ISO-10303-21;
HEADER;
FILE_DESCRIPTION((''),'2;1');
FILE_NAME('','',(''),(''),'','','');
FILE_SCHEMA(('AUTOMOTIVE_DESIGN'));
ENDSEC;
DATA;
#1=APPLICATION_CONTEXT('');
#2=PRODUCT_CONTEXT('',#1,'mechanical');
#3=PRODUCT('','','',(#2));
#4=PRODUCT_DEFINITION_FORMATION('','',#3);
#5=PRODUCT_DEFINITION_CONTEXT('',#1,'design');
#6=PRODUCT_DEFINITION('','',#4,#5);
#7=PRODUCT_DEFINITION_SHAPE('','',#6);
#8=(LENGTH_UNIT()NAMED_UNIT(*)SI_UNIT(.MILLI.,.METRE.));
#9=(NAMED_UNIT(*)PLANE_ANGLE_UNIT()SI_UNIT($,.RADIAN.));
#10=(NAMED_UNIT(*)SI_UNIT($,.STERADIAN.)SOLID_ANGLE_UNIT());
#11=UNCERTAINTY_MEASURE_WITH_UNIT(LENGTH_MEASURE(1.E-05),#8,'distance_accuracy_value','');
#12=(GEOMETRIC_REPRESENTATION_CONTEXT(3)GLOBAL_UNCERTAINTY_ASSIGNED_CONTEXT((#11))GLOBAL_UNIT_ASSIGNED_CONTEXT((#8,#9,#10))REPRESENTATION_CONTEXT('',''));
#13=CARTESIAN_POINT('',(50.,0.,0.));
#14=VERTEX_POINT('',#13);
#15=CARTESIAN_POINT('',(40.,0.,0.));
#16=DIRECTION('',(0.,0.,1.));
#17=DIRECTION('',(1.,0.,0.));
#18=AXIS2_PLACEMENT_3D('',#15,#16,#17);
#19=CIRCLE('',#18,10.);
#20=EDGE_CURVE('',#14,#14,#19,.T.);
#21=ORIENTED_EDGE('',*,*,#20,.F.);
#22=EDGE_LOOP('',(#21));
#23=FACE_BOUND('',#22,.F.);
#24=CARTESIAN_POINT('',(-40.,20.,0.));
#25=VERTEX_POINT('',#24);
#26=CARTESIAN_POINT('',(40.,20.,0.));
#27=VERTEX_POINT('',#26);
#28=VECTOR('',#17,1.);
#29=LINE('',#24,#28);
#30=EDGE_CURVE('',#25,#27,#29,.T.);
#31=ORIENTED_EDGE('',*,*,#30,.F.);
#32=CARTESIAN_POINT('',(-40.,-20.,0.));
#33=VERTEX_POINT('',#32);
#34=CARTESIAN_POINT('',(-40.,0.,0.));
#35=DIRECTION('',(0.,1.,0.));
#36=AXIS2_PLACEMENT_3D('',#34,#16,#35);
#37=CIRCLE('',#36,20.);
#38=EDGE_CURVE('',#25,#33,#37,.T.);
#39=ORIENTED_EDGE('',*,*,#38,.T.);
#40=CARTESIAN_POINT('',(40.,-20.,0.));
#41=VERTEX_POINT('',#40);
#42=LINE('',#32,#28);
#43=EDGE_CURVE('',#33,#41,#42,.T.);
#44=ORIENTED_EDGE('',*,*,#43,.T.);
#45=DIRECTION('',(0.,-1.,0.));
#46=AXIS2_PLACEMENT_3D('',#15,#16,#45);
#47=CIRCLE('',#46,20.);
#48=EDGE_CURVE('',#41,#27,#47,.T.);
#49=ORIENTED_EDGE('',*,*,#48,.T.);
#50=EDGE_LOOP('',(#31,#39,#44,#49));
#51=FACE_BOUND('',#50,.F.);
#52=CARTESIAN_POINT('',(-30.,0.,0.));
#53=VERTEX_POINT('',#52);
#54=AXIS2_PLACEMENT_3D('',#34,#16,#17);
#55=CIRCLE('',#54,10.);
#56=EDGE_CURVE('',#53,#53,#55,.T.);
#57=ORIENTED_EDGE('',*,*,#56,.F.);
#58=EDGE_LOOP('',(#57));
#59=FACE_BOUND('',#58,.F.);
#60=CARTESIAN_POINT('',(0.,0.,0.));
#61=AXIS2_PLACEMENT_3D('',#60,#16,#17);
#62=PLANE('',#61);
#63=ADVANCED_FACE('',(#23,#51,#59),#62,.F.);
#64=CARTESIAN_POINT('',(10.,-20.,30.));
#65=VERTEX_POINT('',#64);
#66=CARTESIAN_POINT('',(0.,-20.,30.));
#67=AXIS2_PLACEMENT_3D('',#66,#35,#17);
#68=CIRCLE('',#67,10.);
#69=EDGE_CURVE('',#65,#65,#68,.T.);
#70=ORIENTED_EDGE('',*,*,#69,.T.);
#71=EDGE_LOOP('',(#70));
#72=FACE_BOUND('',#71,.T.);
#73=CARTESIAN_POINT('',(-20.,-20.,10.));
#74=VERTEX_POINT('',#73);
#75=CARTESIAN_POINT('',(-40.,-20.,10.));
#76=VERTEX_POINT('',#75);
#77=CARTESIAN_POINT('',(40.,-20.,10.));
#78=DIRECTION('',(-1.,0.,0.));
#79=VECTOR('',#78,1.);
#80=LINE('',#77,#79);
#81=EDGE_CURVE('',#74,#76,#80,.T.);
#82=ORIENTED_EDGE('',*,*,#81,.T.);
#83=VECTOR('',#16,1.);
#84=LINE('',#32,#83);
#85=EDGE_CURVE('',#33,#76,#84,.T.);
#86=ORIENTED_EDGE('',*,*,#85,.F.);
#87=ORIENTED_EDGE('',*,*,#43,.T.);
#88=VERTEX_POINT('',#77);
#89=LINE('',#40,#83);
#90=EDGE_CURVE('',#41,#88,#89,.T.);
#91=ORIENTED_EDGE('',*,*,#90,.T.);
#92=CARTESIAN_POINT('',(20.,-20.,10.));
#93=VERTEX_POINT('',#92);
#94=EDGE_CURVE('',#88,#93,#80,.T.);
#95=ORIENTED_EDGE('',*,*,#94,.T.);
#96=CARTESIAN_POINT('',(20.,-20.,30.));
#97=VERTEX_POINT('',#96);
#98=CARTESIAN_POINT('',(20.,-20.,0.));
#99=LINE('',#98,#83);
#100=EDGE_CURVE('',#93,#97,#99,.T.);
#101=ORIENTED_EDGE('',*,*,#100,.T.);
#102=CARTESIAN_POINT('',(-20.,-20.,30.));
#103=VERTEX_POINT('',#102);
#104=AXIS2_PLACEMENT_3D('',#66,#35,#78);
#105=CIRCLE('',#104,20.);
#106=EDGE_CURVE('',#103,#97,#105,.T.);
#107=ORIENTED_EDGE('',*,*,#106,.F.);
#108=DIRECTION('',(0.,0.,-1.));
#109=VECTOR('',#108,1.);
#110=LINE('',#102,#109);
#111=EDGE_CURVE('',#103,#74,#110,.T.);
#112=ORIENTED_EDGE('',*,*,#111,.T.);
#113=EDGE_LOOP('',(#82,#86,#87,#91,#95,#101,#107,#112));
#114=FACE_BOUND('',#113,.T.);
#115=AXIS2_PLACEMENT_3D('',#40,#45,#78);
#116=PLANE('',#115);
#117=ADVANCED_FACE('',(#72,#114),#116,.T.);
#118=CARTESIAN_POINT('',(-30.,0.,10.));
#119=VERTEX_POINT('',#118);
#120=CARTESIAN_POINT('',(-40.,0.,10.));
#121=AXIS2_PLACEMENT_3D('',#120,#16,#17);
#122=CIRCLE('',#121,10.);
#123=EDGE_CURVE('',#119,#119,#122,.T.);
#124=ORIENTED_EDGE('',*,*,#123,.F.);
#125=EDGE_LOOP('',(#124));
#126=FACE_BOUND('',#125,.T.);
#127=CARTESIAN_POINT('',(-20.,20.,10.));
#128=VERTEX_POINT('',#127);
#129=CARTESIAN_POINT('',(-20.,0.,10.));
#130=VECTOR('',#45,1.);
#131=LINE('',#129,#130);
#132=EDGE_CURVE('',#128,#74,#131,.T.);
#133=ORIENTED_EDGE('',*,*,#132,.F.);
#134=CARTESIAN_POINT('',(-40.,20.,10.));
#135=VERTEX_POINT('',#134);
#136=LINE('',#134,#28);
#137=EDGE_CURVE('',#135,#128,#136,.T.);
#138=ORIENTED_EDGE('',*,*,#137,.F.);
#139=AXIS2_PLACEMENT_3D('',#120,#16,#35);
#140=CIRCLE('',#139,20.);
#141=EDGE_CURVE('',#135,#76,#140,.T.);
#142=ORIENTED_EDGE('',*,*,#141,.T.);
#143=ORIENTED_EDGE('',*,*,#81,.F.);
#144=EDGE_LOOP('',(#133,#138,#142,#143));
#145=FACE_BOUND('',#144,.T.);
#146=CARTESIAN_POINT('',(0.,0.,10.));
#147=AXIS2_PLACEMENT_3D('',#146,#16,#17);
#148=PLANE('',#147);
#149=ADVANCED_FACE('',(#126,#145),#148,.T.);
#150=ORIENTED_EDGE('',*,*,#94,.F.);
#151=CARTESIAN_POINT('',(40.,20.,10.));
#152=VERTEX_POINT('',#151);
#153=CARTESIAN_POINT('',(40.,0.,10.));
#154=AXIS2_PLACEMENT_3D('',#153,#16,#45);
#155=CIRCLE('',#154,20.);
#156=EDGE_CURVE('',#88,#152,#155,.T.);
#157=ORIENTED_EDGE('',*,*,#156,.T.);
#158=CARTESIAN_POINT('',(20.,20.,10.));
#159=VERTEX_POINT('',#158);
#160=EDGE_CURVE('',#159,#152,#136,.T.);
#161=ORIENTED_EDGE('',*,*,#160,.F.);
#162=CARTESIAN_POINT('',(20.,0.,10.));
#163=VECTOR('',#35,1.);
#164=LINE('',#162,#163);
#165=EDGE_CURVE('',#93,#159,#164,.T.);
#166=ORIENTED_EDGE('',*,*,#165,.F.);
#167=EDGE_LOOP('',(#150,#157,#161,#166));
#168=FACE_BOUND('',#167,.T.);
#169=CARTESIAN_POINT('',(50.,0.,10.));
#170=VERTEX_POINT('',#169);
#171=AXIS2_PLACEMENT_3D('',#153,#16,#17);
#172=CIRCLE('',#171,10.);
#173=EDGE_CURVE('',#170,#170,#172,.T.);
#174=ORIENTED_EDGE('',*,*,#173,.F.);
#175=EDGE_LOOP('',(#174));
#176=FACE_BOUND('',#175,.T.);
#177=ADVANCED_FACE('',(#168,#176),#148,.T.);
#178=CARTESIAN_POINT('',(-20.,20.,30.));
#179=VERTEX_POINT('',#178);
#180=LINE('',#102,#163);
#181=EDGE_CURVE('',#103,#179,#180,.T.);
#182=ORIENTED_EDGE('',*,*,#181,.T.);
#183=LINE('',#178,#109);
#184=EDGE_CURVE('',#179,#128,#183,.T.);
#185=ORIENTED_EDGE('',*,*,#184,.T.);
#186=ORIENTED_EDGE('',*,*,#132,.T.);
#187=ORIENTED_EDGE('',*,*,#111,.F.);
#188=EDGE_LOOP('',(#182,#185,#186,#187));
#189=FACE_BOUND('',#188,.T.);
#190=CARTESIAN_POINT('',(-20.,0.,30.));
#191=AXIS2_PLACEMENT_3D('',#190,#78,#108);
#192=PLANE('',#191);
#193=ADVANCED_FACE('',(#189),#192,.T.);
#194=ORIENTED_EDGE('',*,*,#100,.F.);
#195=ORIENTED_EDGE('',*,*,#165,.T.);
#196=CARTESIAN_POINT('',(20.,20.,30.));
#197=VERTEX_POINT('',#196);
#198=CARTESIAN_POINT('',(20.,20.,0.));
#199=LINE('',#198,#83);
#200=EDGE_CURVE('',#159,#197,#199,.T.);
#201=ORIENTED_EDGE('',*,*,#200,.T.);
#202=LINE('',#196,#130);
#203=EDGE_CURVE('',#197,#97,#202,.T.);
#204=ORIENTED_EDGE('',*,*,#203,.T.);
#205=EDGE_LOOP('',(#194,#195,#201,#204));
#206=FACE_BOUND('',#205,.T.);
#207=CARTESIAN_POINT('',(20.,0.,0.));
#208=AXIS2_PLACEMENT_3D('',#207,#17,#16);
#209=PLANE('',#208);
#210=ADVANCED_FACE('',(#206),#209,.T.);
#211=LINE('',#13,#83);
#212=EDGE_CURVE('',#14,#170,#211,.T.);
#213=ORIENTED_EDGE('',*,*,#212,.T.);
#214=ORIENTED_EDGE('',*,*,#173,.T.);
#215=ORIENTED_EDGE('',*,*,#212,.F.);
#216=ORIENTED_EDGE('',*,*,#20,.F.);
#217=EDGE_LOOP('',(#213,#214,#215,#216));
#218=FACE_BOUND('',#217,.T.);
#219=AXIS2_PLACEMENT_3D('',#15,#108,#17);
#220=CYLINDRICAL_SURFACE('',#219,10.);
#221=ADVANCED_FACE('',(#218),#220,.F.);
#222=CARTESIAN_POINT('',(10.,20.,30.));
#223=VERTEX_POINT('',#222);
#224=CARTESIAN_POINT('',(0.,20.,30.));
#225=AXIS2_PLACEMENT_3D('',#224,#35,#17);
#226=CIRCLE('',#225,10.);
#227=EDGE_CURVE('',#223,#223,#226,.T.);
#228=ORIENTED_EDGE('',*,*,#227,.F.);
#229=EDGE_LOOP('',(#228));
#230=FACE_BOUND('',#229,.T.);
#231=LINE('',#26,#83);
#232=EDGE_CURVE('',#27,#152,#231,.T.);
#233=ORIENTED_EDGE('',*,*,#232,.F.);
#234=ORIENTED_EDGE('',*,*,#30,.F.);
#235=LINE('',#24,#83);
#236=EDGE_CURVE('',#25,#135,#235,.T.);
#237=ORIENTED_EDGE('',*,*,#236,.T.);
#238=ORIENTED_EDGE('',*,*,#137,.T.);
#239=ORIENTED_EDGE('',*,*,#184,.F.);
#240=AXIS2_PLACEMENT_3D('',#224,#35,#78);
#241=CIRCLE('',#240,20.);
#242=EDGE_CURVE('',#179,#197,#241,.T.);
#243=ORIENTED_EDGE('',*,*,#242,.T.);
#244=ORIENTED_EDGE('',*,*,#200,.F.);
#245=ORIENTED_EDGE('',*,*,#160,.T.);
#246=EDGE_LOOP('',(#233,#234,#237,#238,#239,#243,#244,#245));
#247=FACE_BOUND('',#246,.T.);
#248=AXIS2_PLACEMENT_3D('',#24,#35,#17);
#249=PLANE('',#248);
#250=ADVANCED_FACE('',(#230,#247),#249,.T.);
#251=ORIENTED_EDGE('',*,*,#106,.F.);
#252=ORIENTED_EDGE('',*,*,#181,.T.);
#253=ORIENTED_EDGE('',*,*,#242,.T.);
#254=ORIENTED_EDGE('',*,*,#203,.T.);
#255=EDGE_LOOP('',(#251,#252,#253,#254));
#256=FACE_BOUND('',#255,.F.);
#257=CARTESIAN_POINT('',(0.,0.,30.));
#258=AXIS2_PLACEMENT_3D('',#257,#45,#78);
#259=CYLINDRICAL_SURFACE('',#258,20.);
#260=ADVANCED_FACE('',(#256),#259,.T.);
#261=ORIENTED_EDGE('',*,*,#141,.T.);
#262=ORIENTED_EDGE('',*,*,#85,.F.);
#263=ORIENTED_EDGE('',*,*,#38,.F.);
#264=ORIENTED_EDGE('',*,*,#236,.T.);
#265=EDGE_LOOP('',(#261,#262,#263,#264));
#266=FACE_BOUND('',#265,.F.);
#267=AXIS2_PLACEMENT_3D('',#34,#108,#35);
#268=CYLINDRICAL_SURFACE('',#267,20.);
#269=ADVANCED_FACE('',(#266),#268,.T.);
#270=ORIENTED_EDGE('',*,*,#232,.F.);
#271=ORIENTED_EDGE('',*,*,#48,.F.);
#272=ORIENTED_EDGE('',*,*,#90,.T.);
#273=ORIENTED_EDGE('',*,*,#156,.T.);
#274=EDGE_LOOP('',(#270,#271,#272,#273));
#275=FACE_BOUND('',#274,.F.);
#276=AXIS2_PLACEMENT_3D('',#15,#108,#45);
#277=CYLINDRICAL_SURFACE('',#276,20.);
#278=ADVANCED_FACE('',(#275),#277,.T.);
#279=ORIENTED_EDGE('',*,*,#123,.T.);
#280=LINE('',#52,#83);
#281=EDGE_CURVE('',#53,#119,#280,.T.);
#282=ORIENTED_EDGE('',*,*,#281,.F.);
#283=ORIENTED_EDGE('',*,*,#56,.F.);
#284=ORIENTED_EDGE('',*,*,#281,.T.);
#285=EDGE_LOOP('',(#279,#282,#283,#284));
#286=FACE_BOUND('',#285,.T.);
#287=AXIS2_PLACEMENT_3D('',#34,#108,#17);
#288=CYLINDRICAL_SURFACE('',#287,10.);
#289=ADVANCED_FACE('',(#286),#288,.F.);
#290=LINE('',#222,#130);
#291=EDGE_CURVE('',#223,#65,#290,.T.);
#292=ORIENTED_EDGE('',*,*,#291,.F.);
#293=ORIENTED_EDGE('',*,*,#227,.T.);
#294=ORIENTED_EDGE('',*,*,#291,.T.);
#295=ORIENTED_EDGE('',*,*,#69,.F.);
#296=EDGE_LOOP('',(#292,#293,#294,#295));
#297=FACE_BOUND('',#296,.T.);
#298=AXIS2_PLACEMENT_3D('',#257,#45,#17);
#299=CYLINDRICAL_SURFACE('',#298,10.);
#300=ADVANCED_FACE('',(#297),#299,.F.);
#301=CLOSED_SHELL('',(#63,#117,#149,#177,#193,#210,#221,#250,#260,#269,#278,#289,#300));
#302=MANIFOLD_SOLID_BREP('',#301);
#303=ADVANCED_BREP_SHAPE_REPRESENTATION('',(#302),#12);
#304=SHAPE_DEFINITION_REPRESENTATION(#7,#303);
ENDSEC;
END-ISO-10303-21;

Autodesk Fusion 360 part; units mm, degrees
sketch "Sketch1" plane through (0, 0, 0) normal (0, 0, 1) x (1, 0, 0)
  line L0 (40, -20) -> (-40, -20)
  line L1 (-40, 20) -> (40, 20)
  line L2 (-40, 0) -> (40, 0) construction
  circle A0 centre (40, 0) radius 10
  circle A1 centre (-40, 0) radius 10
  arc A2 (40, -20) -> (40, 20) centre (40, 0) ccw
  arc A3 (-40, 20) -> (-40, -20) centre (-40, 0) ccw
  dimension "d1" = 80
  dimension "d2" = 40
  dimension "d6" = 40
extrude "Extrude1" add sketch "Sketch1" along normal blind 10
sketch "Sketch2" plane through (0, 0, 0) normal (0, 1, 0) x (1, 0, 0)
  line L0 (-20, 0) -> (20, 0)
  line L1 (20, 0) -> (20, -30)
  line L2 (-20, -30) -> (-20, 0)
  line L3 (-40, 0) -> (-40, -10)
  circle A0 centre (0, -30) radius 10
  arc A1 (-20, -30) -> (20, -30) centre (0, -30) ccw
  dimension "d11" = 40
  dimension "d12" = 30
  dimension "d13" = 20
  dimension "d14" = 40
  dimension "d15" = 20
extrude "Extrude2" add sketch "Sketch2" along normal mid plane 40
